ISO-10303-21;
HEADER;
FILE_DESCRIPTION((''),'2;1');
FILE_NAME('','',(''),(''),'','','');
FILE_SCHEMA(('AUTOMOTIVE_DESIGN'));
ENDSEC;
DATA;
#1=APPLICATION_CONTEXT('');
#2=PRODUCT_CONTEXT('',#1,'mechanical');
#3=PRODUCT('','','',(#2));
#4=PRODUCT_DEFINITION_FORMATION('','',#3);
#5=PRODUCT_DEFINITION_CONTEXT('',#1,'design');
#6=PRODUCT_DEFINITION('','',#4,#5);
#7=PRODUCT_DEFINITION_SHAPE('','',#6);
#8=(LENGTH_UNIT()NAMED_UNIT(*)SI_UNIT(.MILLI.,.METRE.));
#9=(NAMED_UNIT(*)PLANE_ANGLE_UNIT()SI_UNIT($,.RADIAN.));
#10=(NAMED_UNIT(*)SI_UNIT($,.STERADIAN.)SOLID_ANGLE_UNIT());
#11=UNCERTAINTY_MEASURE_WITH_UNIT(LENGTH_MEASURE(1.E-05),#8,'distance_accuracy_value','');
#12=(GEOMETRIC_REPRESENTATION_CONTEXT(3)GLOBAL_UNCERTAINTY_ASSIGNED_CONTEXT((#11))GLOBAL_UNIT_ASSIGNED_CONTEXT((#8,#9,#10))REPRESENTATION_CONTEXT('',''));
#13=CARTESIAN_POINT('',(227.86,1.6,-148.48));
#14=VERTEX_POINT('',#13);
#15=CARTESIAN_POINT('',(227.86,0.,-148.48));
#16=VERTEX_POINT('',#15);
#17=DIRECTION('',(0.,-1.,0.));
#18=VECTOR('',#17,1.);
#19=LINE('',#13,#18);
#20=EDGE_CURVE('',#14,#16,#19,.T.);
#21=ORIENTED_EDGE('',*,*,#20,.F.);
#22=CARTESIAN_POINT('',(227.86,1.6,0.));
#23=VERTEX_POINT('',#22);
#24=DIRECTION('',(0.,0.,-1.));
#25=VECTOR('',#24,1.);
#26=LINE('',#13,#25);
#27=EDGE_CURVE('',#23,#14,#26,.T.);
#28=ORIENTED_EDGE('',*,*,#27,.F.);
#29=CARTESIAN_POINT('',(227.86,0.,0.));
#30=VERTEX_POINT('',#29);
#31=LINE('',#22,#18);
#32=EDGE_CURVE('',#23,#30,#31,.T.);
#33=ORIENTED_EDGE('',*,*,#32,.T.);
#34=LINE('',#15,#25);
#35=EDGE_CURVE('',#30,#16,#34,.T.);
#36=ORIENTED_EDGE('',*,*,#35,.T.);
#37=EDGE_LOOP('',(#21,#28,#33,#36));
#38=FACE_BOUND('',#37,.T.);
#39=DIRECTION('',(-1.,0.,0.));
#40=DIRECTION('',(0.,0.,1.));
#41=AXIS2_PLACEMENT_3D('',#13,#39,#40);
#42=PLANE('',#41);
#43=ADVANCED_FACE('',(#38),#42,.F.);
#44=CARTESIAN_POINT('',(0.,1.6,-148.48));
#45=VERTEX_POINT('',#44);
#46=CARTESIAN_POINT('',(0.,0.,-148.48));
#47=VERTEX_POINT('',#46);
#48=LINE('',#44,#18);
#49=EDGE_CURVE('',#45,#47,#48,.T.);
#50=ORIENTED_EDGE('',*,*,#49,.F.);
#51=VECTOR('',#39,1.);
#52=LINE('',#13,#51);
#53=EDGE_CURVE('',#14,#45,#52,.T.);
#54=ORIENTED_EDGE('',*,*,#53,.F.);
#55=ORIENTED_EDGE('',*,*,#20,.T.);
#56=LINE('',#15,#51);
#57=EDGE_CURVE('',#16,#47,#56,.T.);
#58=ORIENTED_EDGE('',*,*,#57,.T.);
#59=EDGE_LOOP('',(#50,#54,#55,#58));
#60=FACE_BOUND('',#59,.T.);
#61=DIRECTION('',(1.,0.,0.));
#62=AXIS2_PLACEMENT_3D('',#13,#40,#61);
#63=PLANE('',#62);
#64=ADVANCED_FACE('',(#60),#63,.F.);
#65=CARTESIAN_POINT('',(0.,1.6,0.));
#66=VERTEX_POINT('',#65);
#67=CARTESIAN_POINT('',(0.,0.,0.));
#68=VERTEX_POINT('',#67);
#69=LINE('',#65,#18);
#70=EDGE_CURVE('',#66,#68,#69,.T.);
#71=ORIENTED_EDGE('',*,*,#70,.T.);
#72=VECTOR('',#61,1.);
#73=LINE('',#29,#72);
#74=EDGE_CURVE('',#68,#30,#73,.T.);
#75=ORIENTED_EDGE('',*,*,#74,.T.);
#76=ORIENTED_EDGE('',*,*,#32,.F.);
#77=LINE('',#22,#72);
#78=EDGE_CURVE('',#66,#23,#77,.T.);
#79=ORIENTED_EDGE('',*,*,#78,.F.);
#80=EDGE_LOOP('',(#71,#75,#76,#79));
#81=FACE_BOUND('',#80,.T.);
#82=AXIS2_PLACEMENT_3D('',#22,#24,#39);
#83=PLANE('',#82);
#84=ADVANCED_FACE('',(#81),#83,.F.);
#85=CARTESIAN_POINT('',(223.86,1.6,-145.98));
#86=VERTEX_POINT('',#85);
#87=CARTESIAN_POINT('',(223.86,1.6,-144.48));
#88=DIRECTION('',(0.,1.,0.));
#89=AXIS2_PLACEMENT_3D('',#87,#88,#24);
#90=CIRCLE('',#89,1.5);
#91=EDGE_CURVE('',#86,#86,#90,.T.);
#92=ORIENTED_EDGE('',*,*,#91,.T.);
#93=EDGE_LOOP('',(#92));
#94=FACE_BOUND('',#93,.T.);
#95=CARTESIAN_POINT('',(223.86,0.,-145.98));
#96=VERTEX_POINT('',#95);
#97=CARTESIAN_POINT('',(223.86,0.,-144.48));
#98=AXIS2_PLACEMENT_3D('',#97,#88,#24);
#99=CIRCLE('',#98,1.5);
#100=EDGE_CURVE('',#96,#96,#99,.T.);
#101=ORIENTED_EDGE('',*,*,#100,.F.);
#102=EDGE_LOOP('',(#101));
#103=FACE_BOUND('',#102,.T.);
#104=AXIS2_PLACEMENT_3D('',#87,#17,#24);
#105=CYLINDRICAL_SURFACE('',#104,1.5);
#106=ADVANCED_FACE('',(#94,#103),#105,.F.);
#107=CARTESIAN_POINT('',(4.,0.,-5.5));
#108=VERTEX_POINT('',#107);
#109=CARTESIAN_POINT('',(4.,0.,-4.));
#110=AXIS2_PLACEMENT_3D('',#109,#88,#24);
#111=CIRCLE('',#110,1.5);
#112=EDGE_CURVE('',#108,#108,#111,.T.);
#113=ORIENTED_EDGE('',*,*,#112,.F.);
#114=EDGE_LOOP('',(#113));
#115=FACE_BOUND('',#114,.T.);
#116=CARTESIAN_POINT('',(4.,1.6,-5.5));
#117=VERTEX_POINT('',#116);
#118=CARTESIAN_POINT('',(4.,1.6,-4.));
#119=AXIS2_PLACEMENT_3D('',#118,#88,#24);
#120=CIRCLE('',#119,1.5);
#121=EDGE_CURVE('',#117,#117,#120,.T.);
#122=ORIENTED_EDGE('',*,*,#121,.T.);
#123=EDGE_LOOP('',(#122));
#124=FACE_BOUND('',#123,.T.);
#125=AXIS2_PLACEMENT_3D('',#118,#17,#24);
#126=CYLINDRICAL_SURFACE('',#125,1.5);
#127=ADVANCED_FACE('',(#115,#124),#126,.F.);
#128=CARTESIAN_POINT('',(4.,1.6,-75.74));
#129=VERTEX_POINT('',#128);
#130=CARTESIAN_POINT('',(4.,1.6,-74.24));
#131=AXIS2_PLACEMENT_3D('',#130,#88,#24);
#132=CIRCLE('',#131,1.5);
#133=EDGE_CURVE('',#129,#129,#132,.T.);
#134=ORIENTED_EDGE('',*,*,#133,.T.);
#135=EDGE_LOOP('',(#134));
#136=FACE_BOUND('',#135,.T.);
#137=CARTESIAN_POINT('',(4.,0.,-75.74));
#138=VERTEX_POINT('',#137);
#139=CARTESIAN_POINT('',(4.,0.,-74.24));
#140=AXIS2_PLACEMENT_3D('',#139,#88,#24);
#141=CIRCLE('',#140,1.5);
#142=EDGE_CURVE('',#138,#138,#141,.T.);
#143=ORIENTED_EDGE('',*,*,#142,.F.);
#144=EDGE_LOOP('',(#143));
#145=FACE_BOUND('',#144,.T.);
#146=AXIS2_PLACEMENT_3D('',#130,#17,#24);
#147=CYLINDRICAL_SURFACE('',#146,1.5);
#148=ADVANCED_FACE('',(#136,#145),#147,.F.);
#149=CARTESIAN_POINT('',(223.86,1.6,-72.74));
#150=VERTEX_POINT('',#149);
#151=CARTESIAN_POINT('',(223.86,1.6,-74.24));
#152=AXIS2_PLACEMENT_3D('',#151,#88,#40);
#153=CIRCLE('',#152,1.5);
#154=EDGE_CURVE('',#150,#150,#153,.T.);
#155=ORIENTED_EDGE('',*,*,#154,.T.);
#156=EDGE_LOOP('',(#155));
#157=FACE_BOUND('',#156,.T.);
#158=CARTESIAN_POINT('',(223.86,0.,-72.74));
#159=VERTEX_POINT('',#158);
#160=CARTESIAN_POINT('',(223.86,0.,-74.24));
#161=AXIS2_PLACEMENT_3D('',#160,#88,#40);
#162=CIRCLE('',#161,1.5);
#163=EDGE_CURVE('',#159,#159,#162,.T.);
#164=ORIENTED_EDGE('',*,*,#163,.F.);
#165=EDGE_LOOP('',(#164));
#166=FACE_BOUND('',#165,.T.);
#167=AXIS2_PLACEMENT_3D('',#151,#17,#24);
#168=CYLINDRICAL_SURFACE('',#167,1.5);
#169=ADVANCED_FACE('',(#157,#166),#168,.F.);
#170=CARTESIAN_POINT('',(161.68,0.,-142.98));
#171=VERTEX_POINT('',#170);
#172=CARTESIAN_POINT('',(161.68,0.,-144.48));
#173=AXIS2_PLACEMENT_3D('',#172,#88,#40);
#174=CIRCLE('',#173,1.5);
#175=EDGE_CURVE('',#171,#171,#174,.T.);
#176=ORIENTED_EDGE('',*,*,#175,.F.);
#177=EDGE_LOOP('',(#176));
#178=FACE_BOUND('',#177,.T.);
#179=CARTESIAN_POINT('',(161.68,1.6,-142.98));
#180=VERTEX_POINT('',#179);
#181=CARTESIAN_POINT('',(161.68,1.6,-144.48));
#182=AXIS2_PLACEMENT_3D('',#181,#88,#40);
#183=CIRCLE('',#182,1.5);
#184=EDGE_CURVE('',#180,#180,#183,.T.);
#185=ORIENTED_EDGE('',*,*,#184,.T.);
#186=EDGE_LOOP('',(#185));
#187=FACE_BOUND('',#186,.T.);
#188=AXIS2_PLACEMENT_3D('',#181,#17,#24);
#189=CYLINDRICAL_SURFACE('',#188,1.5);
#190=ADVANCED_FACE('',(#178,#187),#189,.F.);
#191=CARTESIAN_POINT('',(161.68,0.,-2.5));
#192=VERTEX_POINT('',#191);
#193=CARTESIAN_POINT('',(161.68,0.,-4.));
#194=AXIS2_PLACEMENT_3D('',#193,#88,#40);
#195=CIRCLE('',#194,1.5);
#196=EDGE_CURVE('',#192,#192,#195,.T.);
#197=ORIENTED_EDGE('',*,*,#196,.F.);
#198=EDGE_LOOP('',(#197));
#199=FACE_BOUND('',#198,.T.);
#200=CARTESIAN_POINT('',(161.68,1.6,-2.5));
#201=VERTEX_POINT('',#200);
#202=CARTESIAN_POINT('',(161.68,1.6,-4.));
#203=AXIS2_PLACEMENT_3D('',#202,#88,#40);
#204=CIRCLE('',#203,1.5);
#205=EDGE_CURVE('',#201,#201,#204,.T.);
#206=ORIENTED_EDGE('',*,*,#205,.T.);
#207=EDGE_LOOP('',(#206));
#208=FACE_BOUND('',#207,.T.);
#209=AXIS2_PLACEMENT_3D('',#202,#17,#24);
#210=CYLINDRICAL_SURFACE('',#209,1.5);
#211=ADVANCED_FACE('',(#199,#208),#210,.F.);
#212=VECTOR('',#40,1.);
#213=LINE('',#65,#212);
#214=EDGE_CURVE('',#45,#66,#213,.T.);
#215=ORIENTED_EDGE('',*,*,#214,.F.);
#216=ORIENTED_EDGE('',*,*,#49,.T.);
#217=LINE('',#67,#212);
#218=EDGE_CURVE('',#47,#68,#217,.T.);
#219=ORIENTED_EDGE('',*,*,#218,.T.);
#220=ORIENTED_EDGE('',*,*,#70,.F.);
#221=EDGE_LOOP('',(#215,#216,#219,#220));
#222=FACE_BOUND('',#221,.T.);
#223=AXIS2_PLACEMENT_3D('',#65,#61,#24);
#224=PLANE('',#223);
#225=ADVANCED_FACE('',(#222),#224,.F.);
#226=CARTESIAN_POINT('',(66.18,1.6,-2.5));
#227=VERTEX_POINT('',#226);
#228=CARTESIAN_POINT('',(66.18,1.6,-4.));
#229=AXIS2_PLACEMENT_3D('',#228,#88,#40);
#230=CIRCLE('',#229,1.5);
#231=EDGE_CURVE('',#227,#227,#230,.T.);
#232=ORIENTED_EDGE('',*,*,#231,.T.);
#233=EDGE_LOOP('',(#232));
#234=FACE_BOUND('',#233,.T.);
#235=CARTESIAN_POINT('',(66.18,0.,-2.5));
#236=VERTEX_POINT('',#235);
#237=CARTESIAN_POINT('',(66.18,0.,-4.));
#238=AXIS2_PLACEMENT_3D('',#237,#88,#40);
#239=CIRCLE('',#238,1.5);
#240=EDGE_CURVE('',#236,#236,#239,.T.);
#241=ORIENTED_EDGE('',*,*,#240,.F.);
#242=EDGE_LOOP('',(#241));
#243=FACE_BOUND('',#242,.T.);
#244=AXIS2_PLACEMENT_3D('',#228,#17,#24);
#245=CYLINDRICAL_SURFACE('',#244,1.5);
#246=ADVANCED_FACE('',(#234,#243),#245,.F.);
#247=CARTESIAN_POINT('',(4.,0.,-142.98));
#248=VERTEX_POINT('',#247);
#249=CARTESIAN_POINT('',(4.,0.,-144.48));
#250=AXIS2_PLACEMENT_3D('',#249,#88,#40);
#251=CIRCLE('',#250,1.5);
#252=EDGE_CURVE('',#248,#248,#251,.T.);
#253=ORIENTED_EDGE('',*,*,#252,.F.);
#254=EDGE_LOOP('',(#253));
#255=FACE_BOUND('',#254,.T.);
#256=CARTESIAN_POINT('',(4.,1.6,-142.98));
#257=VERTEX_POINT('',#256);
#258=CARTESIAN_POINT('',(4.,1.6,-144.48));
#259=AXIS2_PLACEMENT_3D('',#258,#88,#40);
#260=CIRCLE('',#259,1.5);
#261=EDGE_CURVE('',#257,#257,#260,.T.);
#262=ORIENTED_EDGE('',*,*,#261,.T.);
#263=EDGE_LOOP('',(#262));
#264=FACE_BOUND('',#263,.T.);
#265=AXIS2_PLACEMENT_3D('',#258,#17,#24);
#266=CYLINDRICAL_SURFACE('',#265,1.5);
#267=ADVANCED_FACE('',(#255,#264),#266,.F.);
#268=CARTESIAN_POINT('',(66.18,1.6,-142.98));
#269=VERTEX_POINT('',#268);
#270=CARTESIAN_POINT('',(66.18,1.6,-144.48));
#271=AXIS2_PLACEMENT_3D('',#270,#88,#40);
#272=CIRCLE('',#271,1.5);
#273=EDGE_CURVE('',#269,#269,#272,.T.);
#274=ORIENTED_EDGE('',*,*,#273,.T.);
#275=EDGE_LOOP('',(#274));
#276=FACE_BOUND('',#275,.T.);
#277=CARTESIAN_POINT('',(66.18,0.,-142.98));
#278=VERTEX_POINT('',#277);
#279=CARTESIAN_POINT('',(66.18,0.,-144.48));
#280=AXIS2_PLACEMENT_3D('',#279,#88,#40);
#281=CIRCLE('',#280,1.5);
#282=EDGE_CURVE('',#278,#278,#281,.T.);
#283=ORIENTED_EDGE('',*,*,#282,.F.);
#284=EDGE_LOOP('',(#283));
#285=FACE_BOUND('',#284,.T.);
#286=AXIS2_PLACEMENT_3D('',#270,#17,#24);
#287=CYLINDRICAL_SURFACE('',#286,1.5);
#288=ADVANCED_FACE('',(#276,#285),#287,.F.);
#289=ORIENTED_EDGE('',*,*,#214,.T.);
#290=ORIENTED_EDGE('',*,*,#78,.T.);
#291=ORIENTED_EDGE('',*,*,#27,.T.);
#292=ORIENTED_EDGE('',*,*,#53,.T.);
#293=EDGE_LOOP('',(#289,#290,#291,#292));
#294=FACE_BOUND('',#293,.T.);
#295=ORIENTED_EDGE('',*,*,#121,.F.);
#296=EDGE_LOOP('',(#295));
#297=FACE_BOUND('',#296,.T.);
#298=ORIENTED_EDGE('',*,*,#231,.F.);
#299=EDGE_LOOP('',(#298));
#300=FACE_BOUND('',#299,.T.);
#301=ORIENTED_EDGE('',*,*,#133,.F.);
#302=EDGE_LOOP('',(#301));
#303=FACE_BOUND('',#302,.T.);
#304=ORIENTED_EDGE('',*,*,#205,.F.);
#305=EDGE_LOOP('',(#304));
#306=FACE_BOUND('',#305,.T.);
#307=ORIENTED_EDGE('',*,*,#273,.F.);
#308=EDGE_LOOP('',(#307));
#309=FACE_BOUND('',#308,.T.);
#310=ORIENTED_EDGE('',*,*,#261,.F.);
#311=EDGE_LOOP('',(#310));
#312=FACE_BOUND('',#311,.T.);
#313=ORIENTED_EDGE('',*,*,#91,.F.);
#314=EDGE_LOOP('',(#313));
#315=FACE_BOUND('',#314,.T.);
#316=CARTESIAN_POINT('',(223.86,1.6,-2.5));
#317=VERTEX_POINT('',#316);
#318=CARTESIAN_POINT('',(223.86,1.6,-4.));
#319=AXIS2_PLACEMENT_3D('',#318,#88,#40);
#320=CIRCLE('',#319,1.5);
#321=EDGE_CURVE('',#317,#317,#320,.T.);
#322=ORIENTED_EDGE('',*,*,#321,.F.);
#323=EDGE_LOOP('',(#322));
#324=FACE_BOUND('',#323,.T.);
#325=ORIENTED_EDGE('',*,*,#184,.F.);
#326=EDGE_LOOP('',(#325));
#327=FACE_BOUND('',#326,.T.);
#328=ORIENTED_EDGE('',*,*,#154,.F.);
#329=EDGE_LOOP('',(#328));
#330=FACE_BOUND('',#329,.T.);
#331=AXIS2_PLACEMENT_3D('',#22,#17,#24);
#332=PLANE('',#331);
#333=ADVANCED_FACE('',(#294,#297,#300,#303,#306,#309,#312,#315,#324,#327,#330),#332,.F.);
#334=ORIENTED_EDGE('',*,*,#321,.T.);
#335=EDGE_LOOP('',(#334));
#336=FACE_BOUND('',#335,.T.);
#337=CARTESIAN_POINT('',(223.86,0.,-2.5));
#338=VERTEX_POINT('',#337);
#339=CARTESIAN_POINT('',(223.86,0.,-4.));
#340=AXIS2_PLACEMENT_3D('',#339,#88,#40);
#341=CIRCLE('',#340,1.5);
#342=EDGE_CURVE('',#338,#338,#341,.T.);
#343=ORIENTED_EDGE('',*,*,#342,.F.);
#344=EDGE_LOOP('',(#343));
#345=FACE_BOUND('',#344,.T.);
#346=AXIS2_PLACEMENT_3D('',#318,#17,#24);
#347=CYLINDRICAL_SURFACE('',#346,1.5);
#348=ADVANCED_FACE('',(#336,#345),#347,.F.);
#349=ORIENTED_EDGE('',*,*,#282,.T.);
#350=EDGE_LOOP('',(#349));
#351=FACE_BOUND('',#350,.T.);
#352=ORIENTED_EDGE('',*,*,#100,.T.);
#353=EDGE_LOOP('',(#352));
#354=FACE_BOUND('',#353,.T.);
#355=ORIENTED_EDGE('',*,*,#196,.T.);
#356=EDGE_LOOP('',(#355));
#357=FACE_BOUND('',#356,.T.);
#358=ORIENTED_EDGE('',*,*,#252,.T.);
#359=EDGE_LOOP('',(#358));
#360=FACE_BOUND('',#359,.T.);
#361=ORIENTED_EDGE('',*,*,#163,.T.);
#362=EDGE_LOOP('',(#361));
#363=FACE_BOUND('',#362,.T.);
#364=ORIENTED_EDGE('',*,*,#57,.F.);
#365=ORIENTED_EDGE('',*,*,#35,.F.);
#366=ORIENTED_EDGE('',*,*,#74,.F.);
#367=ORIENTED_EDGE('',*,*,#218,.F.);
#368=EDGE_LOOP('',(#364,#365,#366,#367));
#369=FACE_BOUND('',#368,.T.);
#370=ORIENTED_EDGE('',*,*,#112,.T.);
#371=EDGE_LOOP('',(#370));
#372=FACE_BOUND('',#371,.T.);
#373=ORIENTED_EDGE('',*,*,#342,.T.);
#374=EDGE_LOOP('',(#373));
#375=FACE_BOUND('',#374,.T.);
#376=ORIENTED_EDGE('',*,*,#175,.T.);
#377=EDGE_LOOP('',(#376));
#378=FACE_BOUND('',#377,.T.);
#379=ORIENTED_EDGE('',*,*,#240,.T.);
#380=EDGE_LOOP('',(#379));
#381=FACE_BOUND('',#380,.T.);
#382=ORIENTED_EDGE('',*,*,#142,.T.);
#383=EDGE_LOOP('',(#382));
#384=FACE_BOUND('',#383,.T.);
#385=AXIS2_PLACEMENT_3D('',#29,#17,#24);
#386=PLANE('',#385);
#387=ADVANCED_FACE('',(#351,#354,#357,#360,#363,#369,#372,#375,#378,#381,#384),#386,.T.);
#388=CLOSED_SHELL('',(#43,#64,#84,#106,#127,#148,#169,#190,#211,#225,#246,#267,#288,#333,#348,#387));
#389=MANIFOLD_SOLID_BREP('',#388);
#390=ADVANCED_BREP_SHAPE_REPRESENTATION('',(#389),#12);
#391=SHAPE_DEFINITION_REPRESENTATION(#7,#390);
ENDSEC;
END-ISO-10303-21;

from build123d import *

# Parameters (mm, degrees)
SKETCH1_W           = 227.86
SKETCH1_H           = 148.48
SKETCH1_R           = 1.5
BOSS_EXTRUDE2_DEPTH = 1.6


with BuildPart() as part:
    # Sketch1 → Boss-Extrude2 (new body)
    with BuildSketch(Plane(origin=(0, 0, 0), x_dir=(1, 0, 0), z_dir=(0, 1, 0))):
        with Locations((113.93, 74.24)):
            Rectangle(SKETCH1_W, SKETCH1_H)
        with Locations(Location((223.86, 74.24, 0), (0, 0, 270))):
            Circle(SKETCH1_R, mode=Mode.SUBTRACT)
        with Locations(Location((4, 74.24, 0), (0, 0, 90))):
            Circle(SKETCH1_R, mode=Mode.SUBTRACT)
        with Locations(Location((66.18, 4, 0), (0, 0, 270))):
            Circle(SKETCH1_R, mode=Mode.SUBTRACT)
        with Locations(Location((161.68, 4, 0), (0, 0, 270))):
            Circle(SKETCH1_R, mode=Mode.SUBTRACT)
        with Locations(Location((161.68, 144.48, 0), (0, 0, 270))):
            Circle(SKETCH1_R, mode=Mode.SUBTRACT)
        with Locations(Location((66.18, 144.48, 0), (0, 0, 270))):
            Circle(SKETCH1_R, mode=Mode.SUBTRACT)
        with Locations(Location((223.86, 4, 0), (0, 0, 270))):
            Circle(SKETCH1_R, mode=Mode.SUBTRACT)
        with Locations(Location((4, 4, 0), (0, 0, 90))):
            Circle(SKETCH1_R, mode=Mode.SUBTRACT)
        with Locations(Location((4, 144.48, 0), (0, 0, 270))):
            Circle(SKETCH1_R, mode=Mode.SUBTRACT)
        with Locations(Location((223.86, 144.48, 0), (0, 0, 90))):
            Circle(SKETCH1_R, mode=Mode.SUBTRACT)
    extrude(amount=BOSS_EXTRUDE2_DEPTH)


solid = part.part
